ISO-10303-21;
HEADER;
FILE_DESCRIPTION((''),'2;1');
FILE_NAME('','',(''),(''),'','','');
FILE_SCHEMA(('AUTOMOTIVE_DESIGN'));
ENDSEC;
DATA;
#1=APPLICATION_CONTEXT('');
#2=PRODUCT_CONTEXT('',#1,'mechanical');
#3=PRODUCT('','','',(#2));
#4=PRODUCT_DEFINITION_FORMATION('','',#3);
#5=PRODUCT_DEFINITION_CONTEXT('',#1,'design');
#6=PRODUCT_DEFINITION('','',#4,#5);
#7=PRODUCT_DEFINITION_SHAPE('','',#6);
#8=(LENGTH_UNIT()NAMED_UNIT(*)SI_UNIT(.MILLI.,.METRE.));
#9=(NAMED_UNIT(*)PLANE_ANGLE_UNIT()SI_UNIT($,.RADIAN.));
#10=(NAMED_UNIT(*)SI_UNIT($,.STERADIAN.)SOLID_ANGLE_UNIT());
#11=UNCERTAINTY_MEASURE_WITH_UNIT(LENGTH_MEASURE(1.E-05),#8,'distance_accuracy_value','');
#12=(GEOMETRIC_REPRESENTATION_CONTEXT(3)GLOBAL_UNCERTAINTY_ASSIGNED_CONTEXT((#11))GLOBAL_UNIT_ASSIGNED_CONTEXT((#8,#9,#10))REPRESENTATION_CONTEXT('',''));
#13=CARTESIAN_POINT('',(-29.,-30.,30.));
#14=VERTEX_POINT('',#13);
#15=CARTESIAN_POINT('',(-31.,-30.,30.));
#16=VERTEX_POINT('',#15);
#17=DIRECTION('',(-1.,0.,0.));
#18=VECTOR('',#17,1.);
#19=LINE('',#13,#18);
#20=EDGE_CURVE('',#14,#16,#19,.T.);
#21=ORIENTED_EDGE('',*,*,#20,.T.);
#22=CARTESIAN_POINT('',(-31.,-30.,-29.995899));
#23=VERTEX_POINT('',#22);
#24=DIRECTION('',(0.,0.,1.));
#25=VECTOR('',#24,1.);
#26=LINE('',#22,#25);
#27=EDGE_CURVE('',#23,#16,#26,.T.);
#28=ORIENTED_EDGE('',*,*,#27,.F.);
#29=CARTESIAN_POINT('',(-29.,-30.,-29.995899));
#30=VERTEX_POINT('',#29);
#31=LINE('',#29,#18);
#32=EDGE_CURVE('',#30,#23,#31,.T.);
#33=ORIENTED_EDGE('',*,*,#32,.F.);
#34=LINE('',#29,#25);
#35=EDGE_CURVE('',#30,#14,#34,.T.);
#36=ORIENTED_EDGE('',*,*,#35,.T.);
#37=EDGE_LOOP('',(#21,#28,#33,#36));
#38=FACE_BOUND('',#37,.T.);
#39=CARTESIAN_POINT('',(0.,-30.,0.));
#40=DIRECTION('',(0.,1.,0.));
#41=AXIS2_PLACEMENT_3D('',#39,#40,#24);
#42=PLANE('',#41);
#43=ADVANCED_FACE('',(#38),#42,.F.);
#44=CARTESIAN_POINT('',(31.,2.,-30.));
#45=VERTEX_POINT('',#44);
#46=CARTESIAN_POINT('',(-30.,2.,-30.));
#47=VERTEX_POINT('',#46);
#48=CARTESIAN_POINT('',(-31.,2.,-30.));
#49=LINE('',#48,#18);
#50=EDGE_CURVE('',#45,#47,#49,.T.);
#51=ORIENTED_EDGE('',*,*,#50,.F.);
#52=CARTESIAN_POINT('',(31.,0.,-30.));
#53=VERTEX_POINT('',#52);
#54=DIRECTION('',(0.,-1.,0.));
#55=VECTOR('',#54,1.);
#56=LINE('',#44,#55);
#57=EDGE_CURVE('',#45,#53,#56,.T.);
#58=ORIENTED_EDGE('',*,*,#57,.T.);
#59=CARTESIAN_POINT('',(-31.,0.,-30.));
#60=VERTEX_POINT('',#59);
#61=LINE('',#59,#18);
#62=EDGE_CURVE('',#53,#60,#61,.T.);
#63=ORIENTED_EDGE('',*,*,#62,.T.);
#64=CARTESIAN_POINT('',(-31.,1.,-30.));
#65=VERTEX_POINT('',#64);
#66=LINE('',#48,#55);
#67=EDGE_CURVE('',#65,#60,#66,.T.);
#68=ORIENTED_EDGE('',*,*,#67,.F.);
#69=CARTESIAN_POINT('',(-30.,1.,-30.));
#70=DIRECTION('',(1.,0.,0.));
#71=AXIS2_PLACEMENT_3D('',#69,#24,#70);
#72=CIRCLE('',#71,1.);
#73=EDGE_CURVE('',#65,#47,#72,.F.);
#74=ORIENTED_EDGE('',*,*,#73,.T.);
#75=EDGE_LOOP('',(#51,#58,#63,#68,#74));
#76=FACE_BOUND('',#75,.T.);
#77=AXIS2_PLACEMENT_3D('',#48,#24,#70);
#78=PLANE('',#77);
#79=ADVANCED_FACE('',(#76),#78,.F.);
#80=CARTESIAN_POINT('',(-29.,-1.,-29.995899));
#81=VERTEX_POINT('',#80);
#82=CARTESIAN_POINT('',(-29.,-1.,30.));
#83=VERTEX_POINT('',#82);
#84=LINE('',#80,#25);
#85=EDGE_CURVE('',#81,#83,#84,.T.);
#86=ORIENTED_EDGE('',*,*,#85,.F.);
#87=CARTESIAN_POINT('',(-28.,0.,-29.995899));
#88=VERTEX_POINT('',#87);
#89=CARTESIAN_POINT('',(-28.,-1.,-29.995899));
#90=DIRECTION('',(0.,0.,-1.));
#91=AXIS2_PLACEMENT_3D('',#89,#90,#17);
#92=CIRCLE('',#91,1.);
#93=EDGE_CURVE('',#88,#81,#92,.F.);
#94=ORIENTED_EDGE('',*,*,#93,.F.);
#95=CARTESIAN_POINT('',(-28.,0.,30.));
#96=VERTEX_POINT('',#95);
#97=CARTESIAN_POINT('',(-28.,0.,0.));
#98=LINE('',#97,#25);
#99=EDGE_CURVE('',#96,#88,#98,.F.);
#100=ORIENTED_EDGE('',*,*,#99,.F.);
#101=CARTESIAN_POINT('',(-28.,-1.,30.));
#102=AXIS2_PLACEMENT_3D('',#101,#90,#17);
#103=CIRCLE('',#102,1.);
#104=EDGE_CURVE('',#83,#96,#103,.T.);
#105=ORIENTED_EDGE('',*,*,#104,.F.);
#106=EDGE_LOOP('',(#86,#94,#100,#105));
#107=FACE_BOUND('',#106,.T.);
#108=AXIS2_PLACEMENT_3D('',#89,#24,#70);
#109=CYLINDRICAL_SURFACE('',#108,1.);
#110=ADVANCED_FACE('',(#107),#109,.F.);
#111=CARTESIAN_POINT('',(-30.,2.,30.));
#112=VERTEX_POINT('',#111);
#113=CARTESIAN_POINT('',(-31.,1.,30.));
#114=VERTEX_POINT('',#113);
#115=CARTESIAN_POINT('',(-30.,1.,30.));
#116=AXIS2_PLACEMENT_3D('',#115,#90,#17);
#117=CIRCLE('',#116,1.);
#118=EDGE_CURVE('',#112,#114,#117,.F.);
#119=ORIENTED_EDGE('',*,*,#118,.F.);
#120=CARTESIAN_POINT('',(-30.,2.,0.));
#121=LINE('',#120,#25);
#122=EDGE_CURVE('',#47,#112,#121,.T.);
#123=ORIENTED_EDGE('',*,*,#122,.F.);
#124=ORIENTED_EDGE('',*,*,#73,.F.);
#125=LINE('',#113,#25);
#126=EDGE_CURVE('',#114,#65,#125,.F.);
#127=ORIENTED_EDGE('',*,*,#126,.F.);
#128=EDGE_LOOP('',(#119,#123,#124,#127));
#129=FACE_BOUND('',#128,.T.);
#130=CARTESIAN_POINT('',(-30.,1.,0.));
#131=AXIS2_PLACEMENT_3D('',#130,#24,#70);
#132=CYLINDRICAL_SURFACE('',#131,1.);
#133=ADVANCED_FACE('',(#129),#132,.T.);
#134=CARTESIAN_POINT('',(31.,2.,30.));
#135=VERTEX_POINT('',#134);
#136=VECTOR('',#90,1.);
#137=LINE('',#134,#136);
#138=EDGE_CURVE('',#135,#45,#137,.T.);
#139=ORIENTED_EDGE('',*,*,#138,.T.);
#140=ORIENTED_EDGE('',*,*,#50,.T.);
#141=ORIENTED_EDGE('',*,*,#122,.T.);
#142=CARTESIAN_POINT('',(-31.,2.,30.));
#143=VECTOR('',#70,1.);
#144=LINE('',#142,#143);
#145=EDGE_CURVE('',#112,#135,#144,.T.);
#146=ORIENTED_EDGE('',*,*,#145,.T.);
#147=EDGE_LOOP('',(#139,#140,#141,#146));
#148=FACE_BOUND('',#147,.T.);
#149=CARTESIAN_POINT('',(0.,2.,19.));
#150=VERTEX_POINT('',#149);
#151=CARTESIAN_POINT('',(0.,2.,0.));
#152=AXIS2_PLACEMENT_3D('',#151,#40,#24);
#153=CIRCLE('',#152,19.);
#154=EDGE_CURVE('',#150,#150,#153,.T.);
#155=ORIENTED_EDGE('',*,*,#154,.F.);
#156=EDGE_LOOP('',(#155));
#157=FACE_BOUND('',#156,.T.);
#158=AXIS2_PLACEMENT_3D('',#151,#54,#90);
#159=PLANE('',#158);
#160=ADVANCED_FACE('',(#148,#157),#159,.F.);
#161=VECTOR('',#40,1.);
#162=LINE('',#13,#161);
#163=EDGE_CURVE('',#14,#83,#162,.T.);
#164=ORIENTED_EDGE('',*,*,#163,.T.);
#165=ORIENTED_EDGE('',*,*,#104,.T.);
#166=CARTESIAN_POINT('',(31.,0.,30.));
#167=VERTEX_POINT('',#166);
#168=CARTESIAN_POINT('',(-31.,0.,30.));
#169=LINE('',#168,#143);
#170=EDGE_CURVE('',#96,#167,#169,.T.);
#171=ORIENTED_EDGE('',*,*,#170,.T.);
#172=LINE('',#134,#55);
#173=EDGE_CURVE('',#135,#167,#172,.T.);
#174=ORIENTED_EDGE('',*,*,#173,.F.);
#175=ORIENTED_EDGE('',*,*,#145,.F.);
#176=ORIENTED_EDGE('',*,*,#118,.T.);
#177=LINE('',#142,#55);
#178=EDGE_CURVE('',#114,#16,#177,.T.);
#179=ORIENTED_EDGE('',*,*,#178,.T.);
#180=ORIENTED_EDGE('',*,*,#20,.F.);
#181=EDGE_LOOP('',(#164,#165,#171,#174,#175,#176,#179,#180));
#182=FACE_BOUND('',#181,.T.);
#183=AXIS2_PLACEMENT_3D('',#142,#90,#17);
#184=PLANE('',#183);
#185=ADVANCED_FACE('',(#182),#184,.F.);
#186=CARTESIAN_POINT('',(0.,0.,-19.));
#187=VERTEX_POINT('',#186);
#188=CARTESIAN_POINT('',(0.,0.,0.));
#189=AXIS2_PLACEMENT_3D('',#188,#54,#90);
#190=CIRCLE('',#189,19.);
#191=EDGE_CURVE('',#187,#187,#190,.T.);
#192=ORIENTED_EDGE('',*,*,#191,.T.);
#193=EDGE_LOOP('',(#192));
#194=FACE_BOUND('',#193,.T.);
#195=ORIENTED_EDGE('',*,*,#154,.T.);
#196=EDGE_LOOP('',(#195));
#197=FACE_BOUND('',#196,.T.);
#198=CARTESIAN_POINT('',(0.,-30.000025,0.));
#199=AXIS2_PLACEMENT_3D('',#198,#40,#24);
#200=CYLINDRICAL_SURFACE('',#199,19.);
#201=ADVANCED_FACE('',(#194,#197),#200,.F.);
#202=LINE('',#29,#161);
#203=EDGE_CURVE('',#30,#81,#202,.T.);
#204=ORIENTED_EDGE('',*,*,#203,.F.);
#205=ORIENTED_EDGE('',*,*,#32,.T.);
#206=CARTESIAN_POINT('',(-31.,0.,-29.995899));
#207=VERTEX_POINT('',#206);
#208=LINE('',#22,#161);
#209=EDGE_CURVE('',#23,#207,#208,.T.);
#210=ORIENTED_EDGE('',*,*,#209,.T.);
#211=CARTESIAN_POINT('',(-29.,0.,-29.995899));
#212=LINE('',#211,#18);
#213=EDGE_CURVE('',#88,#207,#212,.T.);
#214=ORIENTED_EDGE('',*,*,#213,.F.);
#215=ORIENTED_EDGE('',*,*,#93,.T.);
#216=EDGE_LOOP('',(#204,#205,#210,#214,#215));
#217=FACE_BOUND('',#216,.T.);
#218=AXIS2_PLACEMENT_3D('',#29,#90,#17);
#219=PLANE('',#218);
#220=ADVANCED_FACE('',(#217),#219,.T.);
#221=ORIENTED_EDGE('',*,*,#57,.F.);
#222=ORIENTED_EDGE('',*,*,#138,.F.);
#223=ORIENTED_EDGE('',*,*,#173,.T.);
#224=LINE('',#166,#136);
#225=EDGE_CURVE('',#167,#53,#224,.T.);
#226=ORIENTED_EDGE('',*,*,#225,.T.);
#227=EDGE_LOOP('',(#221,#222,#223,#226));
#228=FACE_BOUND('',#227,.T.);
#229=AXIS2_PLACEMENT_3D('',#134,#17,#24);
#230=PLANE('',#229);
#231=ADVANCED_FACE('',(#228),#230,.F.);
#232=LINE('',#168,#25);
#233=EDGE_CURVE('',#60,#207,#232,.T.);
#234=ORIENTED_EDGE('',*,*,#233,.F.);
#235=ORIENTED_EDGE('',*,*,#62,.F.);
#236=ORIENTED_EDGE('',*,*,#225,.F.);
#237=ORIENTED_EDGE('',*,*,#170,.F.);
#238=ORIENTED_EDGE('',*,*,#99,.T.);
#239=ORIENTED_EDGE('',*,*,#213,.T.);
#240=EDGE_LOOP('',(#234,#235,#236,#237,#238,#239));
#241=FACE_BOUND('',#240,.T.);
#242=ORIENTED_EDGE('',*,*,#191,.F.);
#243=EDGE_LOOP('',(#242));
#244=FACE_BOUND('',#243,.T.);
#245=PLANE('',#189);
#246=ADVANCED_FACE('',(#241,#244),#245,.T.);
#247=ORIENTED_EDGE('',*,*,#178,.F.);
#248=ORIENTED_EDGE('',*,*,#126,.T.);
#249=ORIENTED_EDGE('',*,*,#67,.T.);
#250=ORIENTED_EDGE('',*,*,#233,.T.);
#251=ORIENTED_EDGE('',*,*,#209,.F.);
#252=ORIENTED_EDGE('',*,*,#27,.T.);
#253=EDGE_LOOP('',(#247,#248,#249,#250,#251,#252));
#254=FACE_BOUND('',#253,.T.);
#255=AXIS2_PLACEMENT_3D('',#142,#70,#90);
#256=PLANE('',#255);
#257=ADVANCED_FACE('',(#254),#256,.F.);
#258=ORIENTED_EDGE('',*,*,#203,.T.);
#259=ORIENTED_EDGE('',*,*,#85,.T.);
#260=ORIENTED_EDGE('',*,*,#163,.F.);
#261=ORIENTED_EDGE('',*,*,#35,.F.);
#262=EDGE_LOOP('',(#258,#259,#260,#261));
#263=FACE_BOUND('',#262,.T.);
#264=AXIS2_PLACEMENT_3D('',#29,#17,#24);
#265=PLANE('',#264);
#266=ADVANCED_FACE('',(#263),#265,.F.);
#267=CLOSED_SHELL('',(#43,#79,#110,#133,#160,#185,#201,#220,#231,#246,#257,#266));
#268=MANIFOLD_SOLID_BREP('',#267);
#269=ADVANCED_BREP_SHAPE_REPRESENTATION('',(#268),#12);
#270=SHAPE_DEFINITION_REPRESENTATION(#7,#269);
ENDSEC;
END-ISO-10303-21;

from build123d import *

# Parameters (mm, degrees)
SKETCH1_W           = 62
SKETCH1_H           = 60
BOSS_EXTRUDE1_DEPTH = 2
SKETCH2_W           = 2
SKETCH2_H           = 59.995898743
BOSS_EXTRUDE2_DEPTH = 30
FILLET1_R           = 1
SKETCH3_R           = 19
CUT_EXTRUDE1_DEPTH  = 54.712196008


with BuildPart() as part:
    # Sketch1 → Boss-Extrude1 (new body)
    with BuildSketch(Plane(origin=(0, 0, 0), x_dir=(1, 0, 0), z_dir=(0, 1, 0))):
        Rectangle(SKETCH1_W, SKETCH1_H)
    extrude(amount=BOSS_EXTRUDE1_DEPTH)

    # Sketch2 → Boss-Extrude2 (add)
    with BuildSketch(Plane.XZ):
        with Locations((-30, 0.002050629)):
            Rectangle(SKETCH2_W, SKETCH2_H)
    extrude(amount=BOSS_EXTRUDE2_DEPTH)

    # Fillet1
    fillet1_edges = [part.edges().sort_by_distance(p)[0] for p in [
        (-31, 2, 0),
        (-29, 0, 0.002050628),
    ]]
    fillet(fillet1_edges, radius=FILLET1_R)

    # Sketch3 → Cut-Extrude1 (cut, through all)
    with BuildSketch(Plane(origin=(0, 2, 0), x_dir=(1, 0, 0), z_dir=(0, 1, 0))):
        with Locations(Location((0, 0, 0), (0, 0, 270))):
            Circle(SKETCH3_R)
    extrude(amount=-CUT_EXTRUDE1_DEPTH, mode=Mode.SUBTRACT)


solid = part.part
